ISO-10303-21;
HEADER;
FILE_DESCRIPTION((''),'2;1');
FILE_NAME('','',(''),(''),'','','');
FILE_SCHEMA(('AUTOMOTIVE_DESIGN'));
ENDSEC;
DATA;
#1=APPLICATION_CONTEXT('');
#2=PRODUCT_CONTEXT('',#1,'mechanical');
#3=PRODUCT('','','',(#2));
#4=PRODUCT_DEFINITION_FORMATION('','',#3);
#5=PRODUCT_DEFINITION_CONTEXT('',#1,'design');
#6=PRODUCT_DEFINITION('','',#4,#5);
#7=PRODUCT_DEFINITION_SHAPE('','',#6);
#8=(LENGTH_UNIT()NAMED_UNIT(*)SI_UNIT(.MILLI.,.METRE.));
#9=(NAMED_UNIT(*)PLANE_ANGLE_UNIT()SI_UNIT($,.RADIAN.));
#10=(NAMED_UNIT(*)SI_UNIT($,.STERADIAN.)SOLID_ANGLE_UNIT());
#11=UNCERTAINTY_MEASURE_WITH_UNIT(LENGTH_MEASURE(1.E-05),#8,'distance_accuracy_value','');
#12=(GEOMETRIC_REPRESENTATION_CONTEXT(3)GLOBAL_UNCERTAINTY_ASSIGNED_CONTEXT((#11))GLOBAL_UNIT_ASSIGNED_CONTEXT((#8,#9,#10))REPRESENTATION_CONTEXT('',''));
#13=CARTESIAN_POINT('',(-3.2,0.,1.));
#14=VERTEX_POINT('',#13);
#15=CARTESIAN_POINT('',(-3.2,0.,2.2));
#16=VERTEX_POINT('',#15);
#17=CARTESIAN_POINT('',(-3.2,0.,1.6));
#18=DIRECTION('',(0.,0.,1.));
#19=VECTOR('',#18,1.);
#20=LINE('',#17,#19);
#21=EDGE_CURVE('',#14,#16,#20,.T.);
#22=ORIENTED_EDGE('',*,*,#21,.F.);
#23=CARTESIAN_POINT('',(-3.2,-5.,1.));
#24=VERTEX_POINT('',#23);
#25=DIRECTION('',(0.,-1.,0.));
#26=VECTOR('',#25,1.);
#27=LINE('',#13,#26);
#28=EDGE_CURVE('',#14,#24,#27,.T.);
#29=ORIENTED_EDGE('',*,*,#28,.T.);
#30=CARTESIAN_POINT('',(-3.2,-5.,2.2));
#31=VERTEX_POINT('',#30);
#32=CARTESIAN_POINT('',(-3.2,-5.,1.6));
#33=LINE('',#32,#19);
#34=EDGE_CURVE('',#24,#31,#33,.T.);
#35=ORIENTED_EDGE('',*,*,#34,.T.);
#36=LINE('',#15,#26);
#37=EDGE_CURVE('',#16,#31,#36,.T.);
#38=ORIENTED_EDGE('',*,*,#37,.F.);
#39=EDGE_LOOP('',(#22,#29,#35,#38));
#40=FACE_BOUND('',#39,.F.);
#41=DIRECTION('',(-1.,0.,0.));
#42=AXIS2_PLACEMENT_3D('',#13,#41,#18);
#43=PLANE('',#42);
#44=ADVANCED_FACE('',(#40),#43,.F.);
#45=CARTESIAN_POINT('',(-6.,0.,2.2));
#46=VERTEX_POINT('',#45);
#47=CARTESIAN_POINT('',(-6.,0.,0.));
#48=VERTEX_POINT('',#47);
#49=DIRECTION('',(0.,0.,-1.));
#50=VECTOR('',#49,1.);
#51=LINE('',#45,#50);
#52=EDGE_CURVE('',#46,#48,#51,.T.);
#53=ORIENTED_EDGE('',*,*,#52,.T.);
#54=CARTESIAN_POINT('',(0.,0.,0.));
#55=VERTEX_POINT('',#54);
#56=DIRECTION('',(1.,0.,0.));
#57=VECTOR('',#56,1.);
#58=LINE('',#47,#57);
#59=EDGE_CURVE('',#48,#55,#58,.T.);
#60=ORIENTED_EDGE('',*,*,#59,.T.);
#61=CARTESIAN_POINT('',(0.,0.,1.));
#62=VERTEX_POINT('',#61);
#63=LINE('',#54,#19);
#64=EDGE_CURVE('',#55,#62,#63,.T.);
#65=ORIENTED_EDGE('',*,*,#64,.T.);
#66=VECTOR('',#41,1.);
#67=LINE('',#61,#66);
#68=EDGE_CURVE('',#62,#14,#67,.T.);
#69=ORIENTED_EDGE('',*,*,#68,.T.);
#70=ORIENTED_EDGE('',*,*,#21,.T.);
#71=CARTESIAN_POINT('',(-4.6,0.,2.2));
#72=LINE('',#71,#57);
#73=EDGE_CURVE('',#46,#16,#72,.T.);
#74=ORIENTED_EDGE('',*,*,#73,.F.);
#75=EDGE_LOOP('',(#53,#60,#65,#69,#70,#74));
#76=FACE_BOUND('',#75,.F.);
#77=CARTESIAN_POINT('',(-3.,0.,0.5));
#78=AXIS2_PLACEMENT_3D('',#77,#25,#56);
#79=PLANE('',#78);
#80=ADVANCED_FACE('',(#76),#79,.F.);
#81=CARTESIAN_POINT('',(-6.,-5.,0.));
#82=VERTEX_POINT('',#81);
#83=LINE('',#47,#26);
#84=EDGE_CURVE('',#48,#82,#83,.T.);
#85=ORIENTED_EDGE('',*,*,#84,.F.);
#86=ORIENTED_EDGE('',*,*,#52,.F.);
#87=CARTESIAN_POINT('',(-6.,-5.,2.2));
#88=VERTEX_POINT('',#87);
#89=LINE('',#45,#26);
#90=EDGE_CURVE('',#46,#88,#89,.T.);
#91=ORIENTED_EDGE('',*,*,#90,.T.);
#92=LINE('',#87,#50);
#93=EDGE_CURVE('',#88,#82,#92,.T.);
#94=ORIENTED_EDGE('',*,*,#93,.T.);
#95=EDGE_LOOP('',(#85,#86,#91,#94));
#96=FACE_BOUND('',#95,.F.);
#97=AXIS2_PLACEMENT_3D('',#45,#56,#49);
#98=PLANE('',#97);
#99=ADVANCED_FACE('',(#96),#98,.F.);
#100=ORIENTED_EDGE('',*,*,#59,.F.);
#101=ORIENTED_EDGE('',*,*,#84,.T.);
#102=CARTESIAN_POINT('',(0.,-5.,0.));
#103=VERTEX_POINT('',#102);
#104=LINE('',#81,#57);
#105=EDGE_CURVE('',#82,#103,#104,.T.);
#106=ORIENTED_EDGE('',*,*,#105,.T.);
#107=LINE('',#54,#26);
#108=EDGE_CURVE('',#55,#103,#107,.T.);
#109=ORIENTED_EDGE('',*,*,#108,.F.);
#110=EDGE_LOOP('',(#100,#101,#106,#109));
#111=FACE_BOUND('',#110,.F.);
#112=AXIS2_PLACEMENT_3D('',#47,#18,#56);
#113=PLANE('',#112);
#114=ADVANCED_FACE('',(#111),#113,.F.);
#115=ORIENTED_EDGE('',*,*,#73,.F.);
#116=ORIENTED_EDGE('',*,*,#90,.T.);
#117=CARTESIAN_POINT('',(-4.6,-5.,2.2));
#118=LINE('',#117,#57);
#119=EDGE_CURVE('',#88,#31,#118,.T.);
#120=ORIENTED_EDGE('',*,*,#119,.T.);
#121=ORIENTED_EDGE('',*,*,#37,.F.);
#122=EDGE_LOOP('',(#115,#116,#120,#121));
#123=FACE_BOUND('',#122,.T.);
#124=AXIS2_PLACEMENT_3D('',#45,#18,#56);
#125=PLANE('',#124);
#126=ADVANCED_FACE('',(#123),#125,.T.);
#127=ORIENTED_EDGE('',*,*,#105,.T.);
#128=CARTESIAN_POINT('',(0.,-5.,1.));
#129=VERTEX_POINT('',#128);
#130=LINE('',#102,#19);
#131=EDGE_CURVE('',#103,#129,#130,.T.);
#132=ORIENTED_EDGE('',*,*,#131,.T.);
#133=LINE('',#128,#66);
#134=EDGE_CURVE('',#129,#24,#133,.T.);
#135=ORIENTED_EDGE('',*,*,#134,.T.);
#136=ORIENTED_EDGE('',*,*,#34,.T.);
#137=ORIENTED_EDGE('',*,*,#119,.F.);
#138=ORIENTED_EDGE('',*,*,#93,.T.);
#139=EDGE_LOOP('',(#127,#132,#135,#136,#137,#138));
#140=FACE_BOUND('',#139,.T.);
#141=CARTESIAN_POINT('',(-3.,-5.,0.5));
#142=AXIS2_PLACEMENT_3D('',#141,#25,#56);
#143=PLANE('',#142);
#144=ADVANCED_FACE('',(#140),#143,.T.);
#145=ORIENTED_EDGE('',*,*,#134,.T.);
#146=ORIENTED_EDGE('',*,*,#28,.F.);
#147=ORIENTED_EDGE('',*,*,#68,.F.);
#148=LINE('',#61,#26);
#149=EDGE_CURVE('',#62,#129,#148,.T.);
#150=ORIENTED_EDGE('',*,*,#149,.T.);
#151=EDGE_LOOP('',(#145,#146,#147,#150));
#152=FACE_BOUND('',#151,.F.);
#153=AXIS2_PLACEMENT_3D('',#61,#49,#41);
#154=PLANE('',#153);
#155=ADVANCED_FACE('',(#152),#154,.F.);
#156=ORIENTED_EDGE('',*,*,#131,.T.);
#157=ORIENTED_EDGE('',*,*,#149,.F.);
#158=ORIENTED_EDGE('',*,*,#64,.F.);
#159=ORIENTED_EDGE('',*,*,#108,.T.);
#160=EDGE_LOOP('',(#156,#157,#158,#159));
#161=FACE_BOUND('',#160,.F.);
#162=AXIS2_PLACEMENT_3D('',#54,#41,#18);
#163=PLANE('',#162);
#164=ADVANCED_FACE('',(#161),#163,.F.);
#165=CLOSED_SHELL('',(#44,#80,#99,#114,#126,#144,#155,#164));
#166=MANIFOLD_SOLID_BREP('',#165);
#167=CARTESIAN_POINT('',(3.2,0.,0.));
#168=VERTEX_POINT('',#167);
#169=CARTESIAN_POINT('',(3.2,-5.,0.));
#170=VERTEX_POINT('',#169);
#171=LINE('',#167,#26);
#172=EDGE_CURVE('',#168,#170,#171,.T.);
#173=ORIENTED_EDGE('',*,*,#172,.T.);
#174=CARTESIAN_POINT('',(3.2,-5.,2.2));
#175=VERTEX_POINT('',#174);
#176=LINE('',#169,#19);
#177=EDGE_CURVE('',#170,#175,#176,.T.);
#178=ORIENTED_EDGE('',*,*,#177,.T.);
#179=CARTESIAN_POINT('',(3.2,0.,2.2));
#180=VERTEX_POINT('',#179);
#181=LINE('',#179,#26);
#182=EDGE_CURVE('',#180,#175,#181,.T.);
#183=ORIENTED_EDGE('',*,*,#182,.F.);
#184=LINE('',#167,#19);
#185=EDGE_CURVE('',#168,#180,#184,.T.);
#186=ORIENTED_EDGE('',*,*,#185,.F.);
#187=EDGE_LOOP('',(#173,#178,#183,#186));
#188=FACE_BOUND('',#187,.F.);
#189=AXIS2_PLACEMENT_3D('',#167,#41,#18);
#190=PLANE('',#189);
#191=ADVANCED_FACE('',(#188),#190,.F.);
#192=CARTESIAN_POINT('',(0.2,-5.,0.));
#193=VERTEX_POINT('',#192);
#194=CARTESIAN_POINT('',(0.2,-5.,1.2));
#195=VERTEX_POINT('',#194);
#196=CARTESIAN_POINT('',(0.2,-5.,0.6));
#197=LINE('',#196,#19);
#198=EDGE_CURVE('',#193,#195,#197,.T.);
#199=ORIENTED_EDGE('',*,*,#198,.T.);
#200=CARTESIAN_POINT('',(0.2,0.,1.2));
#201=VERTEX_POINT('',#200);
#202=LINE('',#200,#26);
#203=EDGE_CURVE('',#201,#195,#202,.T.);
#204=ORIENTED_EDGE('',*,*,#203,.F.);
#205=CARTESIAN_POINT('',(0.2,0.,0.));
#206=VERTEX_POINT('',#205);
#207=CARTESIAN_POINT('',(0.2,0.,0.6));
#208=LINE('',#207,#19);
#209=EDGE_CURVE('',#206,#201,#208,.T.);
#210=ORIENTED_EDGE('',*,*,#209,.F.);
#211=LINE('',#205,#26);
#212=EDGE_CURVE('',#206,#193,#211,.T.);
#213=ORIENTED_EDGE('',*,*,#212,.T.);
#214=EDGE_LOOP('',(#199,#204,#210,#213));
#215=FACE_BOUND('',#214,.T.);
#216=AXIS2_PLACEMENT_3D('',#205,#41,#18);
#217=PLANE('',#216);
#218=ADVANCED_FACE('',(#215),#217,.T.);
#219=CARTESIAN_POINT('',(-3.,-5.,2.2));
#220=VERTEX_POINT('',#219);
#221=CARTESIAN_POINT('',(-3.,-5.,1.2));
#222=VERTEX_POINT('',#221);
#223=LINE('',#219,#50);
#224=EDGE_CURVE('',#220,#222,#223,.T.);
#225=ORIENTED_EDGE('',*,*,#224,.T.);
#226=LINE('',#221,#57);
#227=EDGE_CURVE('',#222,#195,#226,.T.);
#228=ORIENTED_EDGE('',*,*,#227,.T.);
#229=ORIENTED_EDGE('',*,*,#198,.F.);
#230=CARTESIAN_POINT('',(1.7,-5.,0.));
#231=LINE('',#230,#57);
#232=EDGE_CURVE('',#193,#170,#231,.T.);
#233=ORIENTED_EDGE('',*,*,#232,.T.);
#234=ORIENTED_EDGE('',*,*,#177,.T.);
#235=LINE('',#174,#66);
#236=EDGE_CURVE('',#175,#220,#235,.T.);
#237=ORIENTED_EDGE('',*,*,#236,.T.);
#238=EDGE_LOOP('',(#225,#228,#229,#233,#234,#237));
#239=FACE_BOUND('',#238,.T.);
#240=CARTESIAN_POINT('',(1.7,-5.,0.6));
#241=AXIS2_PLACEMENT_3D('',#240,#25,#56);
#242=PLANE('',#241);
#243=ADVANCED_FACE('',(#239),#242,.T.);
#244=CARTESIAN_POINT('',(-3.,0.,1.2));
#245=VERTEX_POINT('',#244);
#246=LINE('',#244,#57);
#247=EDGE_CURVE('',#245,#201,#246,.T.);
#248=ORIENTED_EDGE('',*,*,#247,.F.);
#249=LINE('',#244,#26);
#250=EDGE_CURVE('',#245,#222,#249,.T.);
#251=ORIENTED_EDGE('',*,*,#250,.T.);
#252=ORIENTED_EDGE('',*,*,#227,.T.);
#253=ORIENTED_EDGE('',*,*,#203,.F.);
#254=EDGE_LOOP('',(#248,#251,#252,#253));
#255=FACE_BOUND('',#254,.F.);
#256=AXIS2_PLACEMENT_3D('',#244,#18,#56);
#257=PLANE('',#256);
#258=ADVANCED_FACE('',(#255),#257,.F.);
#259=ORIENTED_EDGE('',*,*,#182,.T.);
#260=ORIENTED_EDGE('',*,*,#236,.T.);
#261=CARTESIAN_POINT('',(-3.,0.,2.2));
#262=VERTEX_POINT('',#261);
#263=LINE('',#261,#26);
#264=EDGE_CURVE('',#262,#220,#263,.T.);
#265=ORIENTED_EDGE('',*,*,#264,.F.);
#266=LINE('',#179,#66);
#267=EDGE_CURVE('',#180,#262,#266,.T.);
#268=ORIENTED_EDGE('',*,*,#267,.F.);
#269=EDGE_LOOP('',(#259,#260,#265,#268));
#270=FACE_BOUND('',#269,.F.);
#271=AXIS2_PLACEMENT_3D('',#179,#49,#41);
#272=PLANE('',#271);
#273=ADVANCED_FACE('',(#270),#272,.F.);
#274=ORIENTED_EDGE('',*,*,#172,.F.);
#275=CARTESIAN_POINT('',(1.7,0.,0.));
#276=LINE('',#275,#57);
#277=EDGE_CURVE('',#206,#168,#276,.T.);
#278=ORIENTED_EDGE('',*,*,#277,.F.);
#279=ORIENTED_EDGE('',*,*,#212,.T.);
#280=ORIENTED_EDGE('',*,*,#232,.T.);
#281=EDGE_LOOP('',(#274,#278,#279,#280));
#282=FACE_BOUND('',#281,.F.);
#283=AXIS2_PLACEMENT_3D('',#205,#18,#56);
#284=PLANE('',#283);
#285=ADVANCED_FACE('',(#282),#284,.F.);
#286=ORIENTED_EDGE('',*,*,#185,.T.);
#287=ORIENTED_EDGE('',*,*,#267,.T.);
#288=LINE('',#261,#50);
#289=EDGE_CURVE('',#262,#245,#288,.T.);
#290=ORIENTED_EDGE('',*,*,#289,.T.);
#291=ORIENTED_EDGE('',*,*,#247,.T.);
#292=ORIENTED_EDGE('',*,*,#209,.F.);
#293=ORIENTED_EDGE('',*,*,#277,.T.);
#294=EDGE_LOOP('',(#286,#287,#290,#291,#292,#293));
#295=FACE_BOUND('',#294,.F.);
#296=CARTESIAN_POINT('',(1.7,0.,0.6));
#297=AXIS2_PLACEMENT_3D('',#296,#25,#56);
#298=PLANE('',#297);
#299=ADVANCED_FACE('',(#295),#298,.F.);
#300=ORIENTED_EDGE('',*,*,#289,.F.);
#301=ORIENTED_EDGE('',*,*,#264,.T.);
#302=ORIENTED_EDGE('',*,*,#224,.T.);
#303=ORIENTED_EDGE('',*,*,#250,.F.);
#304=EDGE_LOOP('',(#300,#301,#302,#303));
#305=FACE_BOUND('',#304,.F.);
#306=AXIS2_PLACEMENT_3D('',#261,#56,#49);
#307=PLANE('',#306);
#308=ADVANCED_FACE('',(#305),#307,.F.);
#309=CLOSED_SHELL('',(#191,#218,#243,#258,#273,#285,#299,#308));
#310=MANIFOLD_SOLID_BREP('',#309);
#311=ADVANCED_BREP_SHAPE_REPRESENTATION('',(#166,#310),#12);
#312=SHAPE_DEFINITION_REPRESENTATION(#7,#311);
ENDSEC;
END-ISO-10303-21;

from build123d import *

# Parameters (mm, degrees)
F0_W     = 3
F0_H     = 1.2
F0_W_2   = 2.8
F1_DEPTH = 5


with BuildPart() as f1:
    # F0 (on Front) → F1 (new body)
    with BuildSketch(Plane.XZ):
        Polygon((-6, 0), (0, 0), (0, 1), (-3.2, 1), (-6, 1), align=None)
        with Locations((1.7, 0.6)):
            Rectangle(F0_W, F0_H)
        Polygon((3.2, 2.2), (-3, 2.2), (-3, 1.2), (0.2, 1.2), (3.2, 1.2), align=None)
        with Locations((-4.6, 1.6)):
            Rectangle(F0_W_2, F0_H)
    extrude(amount=F1_DEPTH)


solid = f1.part
